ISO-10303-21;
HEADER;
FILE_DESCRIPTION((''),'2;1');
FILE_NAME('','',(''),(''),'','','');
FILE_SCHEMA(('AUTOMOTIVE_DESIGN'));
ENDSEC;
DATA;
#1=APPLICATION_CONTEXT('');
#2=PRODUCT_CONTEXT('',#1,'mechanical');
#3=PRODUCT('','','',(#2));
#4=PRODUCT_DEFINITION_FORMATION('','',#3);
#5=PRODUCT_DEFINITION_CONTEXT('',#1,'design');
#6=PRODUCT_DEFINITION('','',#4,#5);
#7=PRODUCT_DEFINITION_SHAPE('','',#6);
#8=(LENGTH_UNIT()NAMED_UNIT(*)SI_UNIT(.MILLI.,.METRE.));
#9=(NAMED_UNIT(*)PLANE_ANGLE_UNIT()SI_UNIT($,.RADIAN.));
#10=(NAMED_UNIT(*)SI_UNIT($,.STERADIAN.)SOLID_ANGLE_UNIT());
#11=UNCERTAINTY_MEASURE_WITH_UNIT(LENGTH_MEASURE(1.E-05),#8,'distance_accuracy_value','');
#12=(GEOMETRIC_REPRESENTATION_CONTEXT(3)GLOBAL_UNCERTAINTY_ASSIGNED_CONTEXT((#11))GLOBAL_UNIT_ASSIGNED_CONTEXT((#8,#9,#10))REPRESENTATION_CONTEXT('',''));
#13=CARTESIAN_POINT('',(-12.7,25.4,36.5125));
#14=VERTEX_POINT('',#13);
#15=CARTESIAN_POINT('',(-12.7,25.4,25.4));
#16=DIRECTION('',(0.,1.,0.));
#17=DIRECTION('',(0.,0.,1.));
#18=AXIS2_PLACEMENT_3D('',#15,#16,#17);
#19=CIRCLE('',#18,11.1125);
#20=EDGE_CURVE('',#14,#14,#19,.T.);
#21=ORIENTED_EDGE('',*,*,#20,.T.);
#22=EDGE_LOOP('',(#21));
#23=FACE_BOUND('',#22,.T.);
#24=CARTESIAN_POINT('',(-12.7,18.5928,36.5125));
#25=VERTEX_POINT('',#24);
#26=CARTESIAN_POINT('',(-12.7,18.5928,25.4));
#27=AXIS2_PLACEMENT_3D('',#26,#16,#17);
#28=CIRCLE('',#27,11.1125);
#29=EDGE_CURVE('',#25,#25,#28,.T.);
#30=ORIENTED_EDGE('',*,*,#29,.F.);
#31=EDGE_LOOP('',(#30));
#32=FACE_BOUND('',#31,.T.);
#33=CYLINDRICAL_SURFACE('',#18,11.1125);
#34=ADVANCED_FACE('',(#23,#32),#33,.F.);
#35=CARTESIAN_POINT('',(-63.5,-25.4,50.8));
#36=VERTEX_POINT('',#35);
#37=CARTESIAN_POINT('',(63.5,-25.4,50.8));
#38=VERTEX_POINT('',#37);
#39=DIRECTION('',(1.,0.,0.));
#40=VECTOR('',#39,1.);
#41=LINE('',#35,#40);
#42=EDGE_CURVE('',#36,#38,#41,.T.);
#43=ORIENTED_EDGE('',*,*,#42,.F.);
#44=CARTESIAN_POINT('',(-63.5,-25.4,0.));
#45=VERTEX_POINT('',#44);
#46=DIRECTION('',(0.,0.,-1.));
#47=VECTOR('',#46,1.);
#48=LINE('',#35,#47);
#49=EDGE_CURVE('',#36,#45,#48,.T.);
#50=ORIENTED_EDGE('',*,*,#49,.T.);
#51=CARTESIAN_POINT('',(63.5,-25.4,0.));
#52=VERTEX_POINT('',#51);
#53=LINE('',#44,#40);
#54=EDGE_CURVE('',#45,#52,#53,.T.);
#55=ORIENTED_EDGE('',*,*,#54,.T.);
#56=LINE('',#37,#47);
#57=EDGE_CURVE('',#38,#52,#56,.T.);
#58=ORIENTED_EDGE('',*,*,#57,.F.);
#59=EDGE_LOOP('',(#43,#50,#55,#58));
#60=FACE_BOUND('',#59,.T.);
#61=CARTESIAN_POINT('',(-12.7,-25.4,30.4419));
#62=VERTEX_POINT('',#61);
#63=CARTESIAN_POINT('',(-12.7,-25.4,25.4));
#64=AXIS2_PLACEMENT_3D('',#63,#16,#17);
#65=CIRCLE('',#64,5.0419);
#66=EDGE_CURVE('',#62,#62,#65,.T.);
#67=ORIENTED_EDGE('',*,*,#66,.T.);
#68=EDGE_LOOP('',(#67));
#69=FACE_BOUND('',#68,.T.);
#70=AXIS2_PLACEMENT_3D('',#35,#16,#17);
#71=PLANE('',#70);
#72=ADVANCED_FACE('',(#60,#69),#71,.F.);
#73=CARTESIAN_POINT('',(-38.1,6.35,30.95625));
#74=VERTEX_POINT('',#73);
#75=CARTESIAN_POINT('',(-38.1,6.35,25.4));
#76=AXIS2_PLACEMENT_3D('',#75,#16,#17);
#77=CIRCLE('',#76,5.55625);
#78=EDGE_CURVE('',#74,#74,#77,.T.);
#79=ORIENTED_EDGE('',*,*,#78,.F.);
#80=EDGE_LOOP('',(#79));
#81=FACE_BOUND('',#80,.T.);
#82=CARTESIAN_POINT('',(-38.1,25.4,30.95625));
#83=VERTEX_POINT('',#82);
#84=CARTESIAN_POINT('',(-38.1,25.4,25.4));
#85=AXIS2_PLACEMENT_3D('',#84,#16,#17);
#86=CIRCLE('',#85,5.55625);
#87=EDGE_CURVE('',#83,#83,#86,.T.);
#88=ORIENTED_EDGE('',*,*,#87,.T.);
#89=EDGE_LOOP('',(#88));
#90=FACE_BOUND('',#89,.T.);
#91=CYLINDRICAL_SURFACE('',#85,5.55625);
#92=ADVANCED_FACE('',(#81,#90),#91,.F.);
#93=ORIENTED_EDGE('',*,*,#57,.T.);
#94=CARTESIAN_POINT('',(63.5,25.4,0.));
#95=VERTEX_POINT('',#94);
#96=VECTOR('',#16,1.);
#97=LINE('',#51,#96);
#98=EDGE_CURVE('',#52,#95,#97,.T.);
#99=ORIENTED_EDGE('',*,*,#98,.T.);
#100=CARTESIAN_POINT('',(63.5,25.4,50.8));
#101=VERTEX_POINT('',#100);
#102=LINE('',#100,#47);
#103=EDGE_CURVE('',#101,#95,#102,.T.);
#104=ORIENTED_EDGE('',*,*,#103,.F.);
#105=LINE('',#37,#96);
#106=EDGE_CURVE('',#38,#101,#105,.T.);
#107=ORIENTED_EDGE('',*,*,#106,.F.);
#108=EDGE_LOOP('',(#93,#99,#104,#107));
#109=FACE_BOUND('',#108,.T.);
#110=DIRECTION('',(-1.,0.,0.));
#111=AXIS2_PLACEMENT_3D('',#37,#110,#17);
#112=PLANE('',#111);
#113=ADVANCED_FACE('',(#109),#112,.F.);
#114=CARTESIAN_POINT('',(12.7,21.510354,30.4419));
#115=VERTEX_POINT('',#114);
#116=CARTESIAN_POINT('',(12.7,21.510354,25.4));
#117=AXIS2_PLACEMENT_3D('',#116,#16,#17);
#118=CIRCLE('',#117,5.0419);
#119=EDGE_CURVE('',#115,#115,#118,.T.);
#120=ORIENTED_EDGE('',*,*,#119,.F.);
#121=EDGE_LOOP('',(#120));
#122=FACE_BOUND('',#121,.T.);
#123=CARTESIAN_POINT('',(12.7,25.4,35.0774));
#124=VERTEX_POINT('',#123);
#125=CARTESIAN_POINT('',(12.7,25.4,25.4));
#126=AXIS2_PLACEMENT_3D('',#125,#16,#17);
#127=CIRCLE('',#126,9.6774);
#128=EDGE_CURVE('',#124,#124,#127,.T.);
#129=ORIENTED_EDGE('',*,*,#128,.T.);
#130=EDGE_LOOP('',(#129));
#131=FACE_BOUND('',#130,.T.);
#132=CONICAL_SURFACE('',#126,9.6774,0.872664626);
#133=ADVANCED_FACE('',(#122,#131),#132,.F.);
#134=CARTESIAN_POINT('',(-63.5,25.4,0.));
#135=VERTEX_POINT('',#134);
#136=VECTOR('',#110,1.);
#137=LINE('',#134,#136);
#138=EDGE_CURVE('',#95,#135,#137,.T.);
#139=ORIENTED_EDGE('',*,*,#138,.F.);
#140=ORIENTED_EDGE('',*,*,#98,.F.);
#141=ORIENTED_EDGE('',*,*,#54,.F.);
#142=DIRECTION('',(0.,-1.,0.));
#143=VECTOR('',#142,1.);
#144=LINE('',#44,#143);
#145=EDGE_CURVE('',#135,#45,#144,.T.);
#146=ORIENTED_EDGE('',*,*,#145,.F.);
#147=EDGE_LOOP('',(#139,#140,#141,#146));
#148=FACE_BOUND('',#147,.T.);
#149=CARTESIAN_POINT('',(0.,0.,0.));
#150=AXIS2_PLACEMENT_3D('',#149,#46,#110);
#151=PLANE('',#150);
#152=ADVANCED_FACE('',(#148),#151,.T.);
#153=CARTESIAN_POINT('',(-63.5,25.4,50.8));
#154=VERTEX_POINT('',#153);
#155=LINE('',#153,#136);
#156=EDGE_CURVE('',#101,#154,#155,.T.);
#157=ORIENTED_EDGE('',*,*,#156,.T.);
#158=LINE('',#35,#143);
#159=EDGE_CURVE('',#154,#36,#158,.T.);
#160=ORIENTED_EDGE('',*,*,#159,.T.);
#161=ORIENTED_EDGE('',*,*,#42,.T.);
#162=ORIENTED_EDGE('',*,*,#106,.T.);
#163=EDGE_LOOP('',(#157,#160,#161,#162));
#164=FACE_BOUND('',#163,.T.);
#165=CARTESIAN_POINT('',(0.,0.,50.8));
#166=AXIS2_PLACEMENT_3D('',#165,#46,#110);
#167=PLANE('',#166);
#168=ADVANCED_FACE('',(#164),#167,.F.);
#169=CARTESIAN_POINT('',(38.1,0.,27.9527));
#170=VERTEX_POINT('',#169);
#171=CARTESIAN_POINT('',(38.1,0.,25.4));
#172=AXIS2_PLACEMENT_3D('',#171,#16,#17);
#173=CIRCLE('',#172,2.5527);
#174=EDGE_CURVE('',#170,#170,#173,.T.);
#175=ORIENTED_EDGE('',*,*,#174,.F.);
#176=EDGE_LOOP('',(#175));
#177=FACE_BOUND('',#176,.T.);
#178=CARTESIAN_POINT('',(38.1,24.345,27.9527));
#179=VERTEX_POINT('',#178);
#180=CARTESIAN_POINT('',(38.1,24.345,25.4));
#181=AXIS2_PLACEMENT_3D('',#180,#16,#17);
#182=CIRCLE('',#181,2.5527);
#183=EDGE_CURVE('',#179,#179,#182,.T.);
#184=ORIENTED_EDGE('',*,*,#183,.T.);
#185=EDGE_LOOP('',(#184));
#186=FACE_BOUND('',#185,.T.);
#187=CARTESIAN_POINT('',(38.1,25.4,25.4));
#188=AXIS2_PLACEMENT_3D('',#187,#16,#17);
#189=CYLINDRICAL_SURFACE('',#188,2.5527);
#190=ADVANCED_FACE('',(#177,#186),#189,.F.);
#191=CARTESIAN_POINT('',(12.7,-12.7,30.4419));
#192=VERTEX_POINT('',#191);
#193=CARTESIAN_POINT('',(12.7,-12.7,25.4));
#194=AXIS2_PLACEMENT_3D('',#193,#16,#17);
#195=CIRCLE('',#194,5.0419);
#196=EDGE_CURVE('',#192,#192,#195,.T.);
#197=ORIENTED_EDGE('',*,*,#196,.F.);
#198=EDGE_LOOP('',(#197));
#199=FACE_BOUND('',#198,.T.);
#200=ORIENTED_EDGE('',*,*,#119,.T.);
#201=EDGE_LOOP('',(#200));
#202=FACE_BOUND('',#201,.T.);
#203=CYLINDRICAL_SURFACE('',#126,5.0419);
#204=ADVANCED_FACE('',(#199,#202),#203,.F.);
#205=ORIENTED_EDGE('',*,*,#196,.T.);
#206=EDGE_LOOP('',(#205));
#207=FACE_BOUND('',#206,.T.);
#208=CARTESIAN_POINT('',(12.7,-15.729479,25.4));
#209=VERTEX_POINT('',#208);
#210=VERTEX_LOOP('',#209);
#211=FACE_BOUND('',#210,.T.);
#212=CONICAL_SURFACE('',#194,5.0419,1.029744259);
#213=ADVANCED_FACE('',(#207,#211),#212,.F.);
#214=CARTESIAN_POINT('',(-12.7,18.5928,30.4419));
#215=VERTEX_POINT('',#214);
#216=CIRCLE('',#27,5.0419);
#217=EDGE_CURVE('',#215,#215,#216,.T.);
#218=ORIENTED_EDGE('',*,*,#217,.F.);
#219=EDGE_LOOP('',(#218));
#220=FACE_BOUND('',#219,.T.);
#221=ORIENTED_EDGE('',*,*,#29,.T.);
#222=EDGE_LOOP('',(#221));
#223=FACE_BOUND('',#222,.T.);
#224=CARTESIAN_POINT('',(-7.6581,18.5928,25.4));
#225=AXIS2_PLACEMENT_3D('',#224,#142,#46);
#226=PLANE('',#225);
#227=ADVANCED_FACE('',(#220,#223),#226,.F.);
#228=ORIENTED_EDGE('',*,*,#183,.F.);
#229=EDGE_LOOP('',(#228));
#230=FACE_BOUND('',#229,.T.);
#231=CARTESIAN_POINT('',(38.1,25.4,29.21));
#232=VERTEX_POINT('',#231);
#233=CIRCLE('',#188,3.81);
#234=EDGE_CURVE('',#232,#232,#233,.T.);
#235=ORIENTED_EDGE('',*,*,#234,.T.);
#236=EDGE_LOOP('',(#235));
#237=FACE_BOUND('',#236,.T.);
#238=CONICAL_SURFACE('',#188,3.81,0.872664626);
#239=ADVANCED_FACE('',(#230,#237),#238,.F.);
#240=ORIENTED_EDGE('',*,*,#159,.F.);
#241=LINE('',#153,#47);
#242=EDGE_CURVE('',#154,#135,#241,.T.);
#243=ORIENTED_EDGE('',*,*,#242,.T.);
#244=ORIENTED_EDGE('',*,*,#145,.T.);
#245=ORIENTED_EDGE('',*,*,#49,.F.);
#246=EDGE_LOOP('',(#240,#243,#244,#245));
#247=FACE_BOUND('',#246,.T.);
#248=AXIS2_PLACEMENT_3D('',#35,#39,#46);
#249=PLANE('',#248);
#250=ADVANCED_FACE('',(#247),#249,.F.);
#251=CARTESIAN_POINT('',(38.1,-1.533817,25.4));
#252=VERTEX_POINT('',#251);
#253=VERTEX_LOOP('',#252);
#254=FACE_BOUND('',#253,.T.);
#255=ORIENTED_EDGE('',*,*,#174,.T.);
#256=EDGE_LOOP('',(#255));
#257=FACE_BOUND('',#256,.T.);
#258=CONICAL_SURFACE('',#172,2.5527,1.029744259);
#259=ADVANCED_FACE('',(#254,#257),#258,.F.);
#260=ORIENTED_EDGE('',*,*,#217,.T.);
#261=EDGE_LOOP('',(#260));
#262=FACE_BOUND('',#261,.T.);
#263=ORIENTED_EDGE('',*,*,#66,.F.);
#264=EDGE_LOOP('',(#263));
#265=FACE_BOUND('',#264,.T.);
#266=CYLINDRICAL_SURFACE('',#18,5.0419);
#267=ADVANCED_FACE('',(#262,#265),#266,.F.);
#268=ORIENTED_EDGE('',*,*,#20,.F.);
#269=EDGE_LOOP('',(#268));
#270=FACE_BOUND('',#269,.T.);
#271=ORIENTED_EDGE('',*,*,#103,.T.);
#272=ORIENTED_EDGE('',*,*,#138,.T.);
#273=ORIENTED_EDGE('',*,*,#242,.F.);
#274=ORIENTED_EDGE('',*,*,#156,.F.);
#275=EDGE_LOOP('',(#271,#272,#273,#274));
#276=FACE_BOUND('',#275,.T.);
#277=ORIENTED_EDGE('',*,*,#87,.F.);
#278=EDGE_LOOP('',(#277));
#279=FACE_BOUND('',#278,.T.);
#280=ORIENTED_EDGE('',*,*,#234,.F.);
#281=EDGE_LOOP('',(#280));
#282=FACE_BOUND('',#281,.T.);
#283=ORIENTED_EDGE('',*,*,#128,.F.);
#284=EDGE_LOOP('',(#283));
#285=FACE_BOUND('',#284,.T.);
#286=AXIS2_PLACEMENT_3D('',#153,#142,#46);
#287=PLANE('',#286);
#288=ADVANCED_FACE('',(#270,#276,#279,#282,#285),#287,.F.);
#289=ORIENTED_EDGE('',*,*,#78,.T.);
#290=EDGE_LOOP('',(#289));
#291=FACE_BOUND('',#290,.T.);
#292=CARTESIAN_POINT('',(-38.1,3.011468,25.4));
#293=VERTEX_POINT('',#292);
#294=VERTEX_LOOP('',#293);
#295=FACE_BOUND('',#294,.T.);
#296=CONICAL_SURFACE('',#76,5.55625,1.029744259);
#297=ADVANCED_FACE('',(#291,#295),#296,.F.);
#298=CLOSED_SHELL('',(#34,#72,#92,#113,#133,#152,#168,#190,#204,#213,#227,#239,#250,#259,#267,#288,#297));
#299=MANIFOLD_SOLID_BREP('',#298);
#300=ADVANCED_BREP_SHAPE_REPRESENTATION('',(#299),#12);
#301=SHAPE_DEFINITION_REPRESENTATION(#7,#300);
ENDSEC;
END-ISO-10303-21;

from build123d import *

# Parameters (mm, degrees)
SKETCH1_W                                           = 127
SKETCH1_H                                           = 50.8
BOSS_EXTRUDE1_DEPTH                                 = 50.8
F_7_16_0_4375_DIAMETER_HOLE2_D                      = 11.1125
F_7_16_0_4375_DIAMETER_HOLE2_DEPTH                  = 19.05
F_7_16_0_4375_DIAMETER_HOLE2_TIP                    = 3.338531814
CBORE_FOR_3_8_HEX_HEAD_BOLT1_D                      = 10.0838
CBORE_FOR_3_8_HEX_HEAD_BOLT1_CBORE_D                = 22.225
CBORE_FOR_3_8_HEX_HEAD_BOLT1_CBORE_DEPTH            = 6.8072
CSK_FOR_3_8_FLAT_HEAD_MACHINE_SCREW_100_D           = 10.0838
CSK_FOR_3_8_FLAT_HEAD_MACHINE_SCREW_100_DEPTH       = 38.1
CSK_FOR_3_8_FLAT_HEAD_MACHINE_SCREW_100_CSINK_D     = 19.3548
CSK_FOR_3_8_FLAT_HEAD_MACHINE_SCREW_100_CSINK_ANGLE = 100
CSK_FOR_3_8_FLAT_HEAD_MACHINE_SCREW_100_TIP         = 3.029479155
F_1_4_20_TAPPED_HOLE1_D                             = 5.1054
F_1_4_20_TAPPED_HOLE1_DEPTH                         = 25.4
F_1_4_20_TAPPED_HOLE1_CSINK_D                       = 7.62
F_1_4_20_TAPPED_HOLE1_CSINK_ANGLE                   = 100
F_1_4_20_TAPPED_HOLE1_TIP                           = 1.533816902


with BuildPart() as part:
    # Sketch1 → Boss-Extrude1 (new body)
    with BuildSketch(Plane.XY):
        Rectangle(SKETCH1_W, SKETCH1_H)
    extrude(amount=BOSS_EXTRUDE1_DEPTH)

    # 7/16 (0.4375) Diameter Hole2
    with Locations(Plane(origin=(-38.1, 25.4, 25.4), x_dir=(0, 0, 1), z_dir=(0, 1, 0))):
        with Locations((0, 0)):
            Hole(F_7_16_0_4375_DIAMETER_HOLE2_D / 2, depth=F_7_16_0_4375_DIAMETER_HOLE2_DEPTH)
            with Locations((0, 0, -(F_7_16_0_4375_DIAMETER_HOLE2_DEPTH + F_7_16_0_4375_DIAMETER_HOLE2_TIP / 2))):  # 118° drill point
                Cone(0, F_7_16_0_4375_DIAMETER_HOLE2_D / 2, F_7_16_0_4375_DIAMETER_HOLE2_TIP, mode=Mode.SUBTRACT)

    # CBORE for 3/8 Hex Head Bolt1 (through all)
    with Locations(Plane(origin=(-12.7, 25.4, 25.4), x_dir=(0, 0, 1), z_dir=(0, 1, 0))):
        with Locations((0, 0)):
            CounterBoreHole(CBORE_FOR_3_8_HEX_HEAD_BOLT1_D / 2, CBORE_FOR_3_8_HEX_HEAD_BOLT1_CBORE_D / 2, CBORE_FOR_3_8_HEX_HEAD_BOLT1_CBORE_DEPTH)

    # CSK for 3/8 Flat Head Machine Screw (100)1
    with Locations(Plane(origin=(12.7, 25.4, 25.4), x_dir=(0, 0, 1), z_dir=(0, 1, 0))):
        with Locations((0, 0)):
            CounterSinkHole(CSK_FOR_3_8_FLAT_HEAD_MACHINE_SCREW_100_D / 2, CSK_FOR_3_8_FLAT_HEAD_MACHINE_SCREW_100_CSINK_D / 2, depth=CSK_FOR_3_8_FLAT_HEAD_MACHINE_SCREW_100_DEPTH, counter_sink_angle=CSK_FOR_3_8_FLAT_HEAD_MACHINE_SCREW_100_CSINK_ANGLE)
            with Locations((0, 0, -(CSK_FOR_3_8_FLAT_HEAD_MACHINE_SCREW_100_DEPTH + CSK_FOR_3_8_FLAT_HEAD_MACHINE_SCREW_100_TIP / 2))):  # 118° drill point
                Cone(0, CSK_FOR_3_8_FLAT_HEAD_MACHINE_SCREW_100_D / 2, CSK_FOR_3_8_FLAT_HEAD_MACHINE_SCREW_100_TIP, mode=Mode.SUBTRACT)

    # 1/4-20 Tapped Hole1
    with Locations(Plane(origin=(38.1, 25.4, 25.4), x_dir=(0, 0, 1), z_dir=(0, 1, 0))):
        with Locations((0, 0)):
            CounterSinkHole(F_1_4_20_TAPPED_HOLE1_D / 2, F_1_4_20_TAPPED_HOLE1_CSINK_D / 2, depth=F_1_4_20_TAPPED_HOLE1_DEPTH, counter_sink_angle=F_1_4_20_TAPPED_HOLE1_CSINK_ANGLE)
            with Locations((0, 0, -(F_1_4_20_TAPPED_HOLE1_DEPTH + F_1_4_20_TAPPED_HOLE1_TIP / 2))):  # 118° drill point
                Cone(0, F_1_4_20_TAPPED_HOLE1_D / 2, F_1_4_20_TAPPED_HOLE1_TIP, mode=Mode.SUBTRACT)


solid = part.part
